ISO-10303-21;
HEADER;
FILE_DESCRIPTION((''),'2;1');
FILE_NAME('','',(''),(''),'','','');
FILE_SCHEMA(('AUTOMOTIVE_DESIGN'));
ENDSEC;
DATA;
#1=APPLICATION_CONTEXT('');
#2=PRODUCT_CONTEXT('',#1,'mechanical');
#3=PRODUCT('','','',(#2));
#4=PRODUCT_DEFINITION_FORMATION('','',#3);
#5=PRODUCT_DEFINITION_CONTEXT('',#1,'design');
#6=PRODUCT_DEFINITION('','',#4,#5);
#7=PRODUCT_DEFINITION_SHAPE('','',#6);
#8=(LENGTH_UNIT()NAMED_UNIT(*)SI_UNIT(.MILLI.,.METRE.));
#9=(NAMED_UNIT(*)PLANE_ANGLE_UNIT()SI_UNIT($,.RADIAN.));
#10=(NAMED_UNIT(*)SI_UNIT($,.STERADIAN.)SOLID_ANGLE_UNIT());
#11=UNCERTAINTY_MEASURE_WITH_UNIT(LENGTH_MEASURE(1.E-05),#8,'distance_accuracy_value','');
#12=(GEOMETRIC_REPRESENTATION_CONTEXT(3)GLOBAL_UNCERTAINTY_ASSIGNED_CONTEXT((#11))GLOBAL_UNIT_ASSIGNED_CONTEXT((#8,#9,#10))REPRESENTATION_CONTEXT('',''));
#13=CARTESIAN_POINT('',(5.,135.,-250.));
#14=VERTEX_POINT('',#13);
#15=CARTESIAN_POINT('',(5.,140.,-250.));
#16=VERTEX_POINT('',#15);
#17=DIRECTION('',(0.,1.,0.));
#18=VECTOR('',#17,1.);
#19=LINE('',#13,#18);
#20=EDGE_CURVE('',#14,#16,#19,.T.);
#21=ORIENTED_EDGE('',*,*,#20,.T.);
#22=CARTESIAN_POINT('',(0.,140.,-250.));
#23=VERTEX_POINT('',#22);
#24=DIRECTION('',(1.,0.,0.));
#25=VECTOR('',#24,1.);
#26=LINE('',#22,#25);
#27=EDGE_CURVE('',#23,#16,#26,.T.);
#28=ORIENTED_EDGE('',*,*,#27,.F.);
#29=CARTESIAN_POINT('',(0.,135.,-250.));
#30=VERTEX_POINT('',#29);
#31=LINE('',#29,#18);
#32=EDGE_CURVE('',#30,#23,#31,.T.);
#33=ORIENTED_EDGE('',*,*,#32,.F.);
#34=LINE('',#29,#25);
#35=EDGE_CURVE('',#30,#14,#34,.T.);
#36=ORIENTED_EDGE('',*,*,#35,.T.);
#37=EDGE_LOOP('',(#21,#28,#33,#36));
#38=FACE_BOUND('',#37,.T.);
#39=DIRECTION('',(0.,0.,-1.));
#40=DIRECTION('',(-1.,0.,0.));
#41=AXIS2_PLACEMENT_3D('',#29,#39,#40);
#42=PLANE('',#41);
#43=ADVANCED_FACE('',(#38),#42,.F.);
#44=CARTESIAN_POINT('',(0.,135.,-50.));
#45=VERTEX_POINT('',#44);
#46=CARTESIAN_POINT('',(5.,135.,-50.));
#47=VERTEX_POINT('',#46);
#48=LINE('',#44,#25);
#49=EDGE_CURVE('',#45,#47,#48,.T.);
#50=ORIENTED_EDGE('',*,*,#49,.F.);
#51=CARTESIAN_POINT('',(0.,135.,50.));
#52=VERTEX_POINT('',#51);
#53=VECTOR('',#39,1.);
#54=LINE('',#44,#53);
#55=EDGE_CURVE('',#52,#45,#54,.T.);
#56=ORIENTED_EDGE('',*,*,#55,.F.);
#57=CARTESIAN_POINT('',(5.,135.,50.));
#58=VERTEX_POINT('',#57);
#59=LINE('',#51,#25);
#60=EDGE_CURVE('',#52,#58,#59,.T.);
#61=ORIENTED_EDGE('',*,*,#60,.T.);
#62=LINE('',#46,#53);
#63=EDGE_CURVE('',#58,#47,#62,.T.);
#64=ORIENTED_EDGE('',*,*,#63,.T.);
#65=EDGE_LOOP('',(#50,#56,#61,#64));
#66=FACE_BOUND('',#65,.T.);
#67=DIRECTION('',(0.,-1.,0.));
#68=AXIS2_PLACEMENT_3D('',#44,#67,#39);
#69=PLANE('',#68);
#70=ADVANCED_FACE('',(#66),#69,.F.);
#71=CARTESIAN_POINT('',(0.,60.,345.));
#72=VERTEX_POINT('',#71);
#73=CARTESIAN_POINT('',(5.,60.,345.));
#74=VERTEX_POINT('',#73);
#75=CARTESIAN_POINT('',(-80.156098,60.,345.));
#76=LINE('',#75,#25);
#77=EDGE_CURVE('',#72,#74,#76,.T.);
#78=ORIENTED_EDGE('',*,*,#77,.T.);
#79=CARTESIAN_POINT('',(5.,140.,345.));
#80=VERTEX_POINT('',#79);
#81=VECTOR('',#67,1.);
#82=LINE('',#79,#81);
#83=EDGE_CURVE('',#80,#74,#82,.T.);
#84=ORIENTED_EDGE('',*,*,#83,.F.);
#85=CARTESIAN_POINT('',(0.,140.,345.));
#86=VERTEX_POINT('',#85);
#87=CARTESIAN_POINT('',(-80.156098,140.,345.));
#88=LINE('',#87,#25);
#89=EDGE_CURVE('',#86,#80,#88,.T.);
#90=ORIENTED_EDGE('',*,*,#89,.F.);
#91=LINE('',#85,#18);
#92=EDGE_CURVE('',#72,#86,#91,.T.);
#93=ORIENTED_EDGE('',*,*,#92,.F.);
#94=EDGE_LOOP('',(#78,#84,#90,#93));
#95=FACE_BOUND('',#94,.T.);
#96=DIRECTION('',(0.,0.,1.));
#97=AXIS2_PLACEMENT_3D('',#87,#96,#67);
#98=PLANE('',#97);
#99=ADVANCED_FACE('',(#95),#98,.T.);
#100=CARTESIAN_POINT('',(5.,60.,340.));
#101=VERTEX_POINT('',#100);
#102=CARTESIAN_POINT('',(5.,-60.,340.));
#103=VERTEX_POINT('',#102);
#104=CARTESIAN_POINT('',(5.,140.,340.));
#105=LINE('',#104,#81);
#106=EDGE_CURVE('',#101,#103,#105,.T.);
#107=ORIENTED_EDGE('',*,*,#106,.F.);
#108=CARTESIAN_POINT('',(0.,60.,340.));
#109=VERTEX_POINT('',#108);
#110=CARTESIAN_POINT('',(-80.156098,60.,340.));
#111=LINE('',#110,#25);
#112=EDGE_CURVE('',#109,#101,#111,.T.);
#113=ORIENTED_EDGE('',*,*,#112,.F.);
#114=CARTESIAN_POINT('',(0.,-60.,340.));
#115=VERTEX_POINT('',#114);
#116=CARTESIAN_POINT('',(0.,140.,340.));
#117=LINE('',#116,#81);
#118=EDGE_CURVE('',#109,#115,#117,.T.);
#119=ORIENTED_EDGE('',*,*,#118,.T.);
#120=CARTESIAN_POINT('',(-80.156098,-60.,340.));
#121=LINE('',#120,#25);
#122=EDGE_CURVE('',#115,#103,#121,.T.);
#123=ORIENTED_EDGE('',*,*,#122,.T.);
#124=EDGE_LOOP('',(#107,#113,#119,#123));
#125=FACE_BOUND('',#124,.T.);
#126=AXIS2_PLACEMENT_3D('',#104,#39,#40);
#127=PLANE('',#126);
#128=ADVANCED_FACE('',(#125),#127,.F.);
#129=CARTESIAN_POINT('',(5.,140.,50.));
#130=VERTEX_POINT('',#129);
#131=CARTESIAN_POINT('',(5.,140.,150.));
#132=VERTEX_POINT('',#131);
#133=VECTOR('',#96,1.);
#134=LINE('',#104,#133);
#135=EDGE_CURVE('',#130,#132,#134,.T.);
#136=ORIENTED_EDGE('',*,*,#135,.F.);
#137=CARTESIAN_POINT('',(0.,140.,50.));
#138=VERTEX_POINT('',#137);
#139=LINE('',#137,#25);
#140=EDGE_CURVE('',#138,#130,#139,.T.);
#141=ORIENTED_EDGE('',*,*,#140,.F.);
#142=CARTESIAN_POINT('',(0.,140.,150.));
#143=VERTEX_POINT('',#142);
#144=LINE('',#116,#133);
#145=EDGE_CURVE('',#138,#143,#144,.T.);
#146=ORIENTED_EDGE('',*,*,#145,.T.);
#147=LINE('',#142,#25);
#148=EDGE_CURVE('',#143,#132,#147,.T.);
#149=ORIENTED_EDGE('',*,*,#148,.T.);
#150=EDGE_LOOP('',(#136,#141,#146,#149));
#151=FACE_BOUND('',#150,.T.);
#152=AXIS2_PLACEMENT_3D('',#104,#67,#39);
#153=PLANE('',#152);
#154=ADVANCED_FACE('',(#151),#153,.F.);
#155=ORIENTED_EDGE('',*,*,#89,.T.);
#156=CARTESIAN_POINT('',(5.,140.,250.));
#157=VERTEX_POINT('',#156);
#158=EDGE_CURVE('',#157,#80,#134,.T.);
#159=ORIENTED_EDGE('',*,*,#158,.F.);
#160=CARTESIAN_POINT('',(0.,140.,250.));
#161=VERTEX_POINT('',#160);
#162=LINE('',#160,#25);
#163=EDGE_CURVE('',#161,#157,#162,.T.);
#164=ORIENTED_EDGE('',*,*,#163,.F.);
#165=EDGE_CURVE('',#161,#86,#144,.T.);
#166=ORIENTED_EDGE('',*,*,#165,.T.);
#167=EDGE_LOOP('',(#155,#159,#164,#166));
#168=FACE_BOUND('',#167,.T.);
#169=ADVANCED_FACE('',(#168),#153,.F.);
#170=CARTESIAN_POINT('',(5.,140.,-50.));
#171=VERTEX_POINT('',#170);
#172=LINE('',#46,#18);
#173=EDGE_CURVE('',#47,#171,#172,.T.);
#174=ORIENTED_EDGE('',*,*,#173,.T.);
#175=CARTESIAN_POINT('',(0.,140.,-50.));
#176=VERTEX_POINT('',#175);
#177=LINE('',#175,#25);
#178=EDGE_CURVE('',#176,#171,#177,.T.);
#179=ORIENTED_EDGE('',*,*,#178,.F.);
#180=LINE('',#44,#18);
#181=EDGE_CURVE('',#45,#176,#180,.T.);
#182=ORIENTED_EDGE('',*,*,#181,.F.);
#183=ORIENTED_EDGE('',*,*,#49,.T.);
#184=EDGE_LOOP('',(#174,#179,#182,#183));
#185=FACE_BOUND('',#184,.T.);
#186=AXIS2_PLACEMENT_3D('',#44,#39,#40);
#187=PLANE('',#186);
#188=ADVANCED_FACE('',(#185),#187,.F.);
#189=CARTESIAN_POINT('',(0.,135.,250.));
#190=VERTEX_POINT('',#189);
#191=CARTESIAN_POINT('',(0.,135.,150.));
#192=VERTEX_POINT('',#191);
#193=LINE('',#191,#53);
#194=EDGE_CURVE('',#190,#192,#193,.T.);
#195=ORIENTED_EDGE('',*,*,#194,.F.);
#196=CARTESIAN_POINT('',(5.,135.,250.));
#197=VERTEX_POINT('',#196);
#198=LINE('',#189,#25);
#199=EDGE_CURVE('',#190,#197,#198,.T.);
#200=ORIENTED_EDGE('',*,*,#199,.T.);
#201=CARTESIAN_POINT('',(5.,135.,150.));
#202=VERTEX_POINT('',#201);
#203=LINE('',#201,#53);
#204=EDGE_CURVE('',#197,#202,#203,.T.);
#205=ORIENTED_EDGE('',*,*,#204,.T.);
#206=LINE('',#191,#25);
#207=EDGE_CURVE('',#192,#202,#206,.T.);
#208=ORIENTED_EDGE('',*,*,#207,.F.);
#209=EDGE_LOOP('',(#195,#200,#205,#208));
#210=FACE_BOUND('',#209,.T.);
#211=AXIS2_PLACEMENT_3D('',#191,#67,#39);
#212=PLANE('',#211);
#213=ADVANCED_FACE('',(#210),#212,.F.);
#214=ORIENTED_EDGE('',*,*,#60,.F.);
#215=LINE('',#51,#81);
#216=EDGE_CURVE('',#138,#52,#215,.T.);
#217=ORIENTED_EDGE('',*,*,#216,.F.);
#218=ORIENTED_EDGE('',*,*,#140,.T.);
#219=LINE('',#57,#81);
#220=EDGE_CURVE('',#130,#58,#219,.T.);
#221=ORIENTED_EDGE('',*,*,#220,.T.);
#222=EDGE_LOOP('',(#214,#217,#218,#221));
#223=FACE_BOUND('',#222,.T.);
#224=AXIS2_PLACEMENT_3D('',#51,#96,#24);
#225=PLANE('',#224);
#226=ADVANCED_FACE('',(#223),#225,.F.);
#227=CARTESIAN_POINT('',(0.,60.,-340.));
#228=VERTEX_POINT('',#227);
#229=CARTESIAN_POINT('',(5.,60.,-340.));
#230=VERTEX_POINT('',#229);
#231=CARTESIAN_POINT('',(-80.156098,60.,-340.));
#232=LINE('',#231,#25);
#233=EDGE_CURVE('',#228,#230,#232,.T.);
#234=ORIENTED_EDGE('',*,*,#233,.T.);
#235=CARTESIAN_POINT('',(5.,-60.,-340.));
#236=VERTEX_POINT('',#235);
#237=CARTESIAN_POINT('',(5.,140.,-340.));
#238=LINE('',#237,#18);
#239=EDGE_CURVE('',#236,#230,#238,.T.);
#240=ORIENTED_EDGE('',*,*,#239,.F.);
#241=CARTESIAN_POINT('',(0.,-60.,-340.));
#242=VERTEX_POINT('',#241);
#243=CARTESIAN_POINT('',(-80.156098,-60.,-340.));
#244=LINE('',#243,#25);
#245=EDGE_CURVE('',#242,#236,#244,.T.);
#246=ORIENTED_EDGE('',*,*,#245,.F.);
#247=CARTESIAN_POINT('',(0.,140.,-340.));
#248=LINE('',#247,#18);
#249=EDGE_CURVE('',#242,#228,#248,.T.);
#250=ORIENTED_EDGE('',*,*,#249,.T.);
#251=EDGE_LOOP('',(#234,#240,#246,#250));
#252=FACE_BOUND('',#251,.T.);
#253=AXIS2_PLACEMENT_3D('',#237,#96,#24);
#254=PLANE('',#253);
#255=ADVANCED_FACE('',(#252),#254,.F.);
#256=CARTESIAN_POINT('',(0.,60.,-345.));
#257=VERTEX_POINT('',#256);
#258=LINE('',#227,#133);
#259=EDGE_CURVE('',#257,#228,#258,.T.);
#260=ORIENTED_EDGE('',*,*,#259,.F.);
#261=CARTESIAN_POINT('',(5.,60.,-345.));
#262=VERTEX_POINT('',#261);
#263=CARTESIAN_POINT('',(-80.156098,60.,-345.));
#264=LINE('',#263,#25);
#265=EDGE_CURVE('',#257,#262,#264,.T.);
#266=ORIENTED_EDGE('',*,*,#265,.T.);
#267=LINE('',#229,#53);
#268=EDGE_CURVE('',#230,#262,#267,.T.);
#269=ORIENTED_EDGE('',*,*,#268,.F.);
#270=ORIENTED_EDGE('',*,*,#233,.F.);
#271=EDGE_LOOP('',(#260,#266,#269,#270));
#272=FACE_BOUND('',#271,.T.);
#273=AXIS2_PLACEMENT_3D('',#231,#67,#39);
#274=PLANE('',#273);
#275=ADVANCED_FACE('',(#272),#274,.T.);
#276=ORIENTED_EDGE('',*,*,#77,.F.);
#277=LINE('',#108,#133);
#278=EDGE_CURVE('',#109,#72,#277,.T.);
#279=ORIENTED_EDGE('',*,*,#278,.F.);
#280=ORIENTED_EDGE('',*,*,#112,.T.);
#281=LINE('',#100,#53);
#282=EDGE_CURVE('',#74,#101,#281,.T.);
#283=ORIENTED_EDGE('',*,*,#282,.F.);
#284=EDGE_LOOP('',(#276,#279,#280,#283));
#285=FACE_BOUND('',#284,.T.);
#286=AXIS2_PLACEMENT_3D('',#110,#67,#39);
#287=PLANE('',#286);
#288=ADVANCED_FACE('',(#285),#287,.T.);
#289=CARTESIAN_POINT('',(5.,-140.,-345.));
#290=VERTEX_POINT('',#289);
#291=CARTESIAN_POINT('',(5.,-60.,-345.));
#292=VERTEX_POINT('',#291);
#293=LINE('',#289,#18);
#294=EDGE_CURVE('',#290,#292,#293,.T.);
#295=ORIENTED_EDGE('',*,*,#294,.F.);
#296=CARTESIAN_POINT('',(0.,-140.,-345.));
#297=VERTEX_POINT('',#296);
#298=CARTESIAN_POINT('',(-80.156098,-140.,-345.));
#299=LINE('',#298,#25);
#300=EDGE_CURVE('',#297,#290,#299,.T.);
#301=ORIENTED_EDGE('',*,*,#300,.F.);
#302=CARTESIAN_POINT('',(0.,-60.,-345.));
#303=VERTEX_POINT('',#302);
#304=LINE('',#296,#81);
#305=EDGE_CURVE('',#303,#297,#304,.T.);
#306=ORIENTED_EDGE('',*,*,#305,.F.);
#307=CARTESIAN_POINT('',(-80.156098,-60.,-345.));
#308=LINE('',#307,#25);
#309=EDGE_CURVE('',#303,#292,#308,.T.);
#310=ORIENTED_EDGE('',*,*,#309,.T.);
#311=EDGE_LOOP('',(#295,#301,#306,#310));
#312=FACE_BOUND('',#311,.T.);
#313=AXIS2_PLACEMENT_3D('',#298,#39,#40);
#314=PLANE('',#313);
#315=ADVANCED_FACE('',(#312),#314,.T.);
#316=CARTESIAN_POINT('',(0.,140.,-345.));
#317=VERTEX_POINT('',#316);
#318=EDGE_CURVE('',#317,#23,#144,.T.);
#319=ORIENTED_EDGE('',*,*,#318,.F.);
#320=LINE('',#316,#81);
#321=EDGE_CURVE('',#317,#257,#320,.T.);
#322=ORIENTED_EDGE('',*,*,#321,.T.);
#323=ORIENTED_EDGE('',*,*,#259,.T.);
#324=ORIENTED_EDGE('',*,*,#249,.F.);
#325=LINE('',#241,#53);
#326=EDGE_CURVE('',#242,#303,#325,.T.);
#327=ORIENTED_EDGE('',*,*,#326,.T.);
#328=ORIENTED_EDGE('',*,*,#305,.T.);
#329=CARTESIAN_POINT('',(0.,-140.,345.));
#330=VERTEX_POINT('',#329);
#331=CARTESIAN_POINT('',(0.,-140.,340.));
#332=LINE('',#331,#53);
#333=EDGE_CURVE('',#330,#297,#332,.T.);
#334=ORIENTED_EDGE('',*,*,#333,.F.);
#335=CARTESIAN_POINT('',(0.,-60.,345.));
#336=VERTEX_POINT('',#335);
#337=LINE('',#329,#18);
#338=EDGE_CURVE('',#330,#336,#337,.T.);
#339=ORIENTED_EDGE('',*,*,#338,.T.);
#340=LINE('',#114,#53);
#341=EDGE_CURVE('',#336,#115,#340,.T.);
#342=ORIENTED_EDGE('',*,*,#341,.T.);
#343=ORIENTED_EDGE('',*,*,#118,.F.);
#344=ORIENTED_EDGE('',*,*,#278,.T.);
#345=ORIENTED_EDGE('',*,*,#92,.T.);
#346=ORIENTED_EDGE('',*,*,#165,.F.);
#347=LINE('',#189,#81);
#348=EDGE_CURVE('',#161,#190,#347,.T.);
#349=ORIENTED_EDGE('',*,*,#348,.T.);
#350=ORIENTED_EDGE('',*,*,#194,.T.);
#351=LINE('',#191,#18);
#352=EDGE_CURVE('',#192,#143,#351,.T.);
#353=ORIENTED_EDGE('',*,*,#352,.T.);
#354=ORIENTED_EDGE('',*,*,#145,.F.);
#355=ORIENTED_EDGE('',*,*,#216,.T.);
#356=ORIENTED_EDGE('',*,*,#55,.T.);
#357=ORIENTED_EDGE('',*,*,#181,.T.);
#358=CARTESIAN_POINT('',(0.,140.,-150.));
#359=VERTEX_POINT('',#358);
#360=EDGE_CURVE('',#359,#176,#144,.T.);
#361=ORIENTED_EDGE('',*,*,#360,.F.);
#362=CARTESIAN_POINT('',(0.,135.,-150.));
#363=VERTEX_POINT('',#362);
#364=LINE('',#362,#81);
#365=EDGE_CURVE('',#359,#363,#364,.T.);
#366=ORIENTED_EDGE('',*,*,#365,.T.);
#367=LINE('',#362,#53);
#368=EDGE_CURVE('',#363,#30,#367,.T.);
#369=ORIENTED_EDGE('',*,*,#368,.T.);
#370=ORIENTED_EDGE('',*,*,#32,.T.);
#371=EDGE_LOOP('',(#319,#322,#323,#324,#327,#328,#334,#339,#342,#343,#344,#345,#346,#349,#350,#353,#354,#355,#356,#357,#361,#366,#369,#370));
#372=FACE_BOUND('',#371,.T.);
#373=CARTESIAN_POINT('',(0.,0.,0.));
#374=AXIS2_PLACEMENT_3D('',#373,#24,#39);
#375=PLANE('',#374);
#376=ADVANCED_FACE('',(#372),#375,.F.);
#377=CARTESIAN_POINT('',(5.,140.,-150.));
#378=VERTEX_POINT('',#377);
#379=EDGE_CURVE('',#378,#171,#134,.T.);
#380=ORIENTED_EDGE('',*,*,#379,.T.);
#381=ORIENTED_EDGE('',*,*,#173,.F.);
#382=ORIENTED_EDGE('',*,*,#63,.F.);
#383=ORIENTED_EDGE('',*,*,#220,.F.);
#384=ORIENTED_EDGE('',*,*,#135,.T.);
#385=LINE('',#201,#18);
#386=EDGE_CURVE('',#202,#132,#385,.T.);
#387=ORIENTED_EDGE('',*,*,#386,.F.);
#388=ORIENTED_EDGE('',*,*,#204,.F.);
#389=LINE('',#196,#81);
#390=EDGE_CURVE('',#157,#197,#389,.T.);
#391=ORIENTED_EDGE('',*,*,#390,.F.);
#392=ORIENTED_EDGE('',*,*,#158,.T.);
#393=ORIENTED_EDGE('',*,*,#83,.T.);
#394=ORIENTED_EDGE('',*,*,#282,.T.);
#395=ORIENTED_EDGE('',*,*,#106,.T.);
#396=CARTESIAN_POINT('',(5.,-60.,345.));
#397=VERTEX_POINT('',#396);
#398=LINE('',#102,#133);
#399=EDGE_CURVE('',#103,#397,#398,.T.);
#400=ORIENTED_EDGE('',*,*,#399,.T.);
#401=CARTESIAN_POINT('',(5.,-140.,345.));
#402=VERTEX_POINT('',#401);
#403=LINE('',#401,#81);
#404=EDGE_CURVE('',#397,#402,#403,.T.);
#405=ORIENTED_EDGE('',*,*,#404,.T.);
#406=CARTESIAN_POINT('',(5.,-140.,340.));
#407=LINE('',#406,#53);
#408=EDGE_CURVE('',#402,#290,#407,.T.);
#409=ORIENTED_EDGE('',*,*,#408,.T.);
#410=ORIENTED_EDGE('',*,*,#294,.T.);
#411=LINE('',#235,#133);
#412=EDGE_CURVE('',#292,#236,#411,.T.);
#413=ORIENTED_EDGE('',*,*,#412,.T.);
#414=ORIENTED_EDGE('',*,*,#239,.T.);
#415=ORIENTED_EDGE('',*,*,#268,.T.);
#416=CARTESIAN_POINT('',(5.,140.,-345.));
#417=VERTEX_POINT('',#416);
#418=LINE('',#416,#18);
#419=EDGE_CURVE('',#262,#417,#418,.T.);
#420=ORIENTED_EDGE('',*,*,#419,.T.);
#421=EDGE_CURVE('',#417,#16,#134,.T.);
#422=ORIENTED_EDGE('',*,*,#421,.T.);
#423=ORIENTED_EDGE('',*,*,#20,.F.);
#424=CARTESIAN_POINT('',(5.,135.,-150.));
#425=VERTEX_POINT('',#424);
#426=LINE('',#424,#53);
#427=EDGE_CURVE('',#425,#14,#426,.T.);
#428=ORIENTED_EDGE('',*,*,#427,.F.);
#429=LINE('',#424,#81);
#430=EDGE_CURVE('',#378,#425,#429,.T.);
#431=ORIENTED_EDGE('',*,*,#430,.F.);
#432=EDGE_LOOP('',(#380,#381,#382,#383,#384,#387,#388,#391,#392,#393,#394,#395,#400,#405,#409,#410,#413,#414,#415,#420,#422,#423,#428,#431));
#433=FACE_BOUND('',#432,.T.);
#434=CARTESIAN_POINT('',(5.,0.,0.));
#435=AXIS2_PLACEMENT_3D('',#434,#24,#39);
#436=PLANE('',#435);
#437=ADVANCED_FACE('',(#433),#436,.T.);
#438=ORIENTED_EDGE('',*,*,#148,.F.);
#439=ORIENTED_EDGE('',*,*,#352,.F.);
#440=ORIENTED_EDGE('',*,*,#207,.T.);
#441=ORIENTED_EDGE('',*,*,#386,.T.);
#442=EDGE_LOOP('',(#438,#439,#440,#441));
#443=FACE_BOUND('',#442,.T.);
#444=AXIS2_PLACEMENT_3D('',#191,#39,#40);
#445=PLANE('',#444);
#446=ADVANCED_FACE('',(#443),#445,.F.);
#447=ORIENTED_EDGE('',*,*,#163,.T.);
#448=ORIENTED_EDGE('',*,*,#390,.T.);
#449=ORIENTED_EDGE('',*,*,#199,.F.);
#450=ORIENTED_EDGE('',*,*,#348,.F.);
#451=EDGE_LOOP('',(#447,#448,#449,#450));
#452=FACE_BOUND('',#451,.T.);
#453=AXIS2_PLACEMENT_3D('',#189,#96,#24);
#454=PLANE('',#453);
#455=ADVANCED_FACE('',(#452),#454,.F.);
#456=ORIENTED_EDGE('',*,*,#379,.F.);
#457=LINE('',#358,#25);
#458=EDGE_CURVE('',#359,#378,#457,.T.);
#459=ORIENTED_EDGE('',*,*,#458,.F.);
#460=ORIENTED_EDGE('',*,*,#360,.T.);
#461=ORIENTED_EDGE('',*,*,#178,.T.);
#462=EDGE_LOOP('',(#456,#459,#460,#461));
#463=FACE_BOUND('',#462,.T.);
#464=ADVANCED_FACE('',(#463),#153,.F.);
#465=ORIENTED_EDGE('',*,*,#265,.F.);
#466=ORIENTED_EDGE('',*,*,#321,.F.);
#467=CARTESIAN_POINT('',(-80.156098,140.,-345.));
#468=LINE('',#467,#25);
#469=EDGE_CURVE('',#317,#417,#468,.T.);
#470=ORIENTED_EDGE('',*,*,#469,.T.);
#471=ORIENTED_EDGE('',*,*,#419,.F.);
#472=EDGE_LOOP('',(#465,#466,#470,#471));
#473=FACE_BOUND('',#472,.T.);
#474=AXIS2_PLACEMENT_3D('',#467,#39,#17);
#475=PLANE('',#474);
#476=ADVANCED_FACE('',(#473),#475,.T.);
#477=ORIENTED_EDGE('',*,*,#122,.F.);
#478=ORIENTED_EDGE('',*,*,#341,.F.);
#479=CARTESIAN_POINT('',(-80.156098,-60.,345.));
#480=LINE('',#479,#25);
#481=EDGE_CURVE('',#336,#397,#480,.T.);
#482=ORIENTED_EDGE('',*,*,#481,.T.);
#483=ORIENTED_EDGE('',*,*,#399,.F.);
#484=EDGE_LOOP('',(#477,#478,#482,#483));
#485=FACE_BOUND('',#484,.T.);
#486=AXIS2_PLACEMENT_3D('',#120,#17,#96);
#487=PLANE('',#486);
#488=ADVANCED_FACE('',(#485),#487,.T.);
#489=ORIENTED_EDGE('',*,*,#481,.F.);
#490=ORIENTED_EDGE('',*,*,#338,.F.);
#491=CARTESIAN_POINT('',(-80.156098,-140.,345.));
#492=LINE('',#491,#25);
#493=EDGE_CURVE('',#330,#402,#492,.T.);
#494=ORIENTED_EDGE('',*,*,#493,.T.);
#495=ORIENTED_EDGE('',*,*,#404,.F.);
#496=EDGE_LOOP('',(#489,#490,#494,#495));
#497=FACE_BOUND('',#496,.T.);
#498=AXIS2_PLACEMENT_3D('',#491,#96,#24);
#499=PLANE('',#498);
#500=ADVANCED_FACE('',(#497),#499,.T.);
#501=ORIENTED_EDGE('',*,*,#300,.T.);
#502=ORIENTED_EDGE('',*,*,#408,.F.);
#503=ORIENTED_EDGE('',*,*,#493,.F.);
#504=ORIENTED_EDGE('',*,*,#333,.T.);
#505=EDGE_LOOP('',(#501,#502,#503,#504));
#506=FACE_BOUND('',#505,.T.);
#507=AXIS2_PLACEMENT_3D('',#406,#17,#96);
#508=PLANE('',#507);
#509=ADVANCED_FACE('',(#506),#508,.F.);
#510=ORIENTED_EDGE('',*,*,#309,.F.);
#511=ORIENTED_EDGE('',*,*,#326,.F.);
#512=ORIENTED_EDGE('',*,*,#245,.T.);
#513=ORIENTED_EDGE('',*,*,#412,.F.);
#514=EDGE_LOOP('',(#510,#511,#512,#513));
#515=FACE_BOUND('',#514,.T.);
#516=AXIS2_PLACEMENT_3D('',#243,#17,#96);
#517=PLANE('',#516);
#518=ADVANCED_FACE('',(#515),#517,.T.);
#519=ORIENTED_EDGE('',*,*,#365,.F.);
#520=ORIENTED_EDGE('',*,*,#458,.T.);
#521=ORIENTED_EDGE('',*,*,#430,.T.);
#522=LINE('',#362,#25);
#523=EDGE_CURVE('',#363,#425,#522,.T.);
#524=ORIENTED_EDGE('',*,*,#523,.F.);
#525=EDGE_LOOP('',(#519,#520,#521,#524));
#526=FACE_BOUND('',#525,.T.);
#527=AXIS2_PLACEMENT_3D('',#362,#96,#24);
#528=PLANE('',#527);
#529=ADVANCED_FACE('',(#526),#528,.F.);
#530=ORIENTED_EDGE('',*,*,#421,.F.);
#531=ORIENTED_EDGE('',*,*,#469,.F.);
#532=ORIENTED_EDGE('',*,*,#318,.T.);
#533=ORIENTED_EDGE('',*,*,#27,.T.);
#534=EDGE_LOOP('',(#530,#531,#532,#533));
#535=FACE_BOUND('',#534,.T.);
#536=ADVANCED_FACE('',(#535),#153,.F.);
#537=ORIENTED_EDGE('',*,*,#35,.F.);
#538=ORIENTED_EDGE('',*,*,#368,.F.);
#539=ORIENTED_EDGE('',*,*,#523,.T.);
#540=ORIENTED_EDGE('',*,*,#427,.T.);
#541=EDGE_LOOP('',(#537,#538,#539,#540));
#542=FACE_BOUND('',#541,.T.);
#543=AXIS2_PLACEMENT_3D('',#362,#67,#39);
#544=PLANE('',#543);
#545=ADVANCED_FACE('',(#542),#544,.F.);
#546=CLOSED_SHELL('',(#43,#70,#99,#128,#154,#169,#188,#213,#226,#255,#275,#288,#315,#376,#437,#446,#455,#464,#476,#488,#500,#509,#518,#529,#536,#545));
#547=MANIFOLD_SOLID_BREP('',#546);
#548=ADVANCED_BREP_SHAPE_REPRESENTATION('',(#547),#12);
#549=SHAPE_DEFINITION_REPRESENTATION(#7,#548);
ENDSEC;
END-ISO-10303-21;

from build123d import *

# Parameters (mm, degrees)
SKIZZE1_W                       = 680
SKIZZE1_H                       = 280
AUFSATZ_LINEAR_AUSTRAGEN1_DEPTH = 5
SKIZZE2_W                       = 5
SKIZZE2_H                       = 80
AUFSATZ_LINEAR_AUSTRAGEN2_DEPTH = 5
SKIZZE3_W                       = 100
SKIZZE3_H                       = 5
SCHNITT_LINEAR_AUSTRAGEN1_DEPTH = 373.357355238


with BuildPart() as part:
    # Skizze1 → Aufsatz-Linear austragen1 (new body)
    with BuildSketch(Plane(origin=(0, 0, 0), x_dir=(0, 0, -1), z_dir=(1, 0, 0))):
        Rectangle(SKIZZE1_W, SKIZZE1_H)
    extrude(amount=AUFSATZ_LINEAR_AUSTRAGEN1_DEPTH)

    # Skizze2 → Aufsatz-Linear austragen2 (add)
    with BuildSketch(Plane(origin=(5, 0, 0), x_dir=(0, 0, -1), z_dir=(1, 0, 0))):
        with Locations((-342.5, 100)):
            Rectangle(SKIZZE2_W, SKIZZE2_H)
        with Locations((-342.5, -100)):
            Rectangle(SKIZZE2_W, SKIZZE2_H)
        with Locations((342.5, -100)):
            Rectangle(SKIZZE2_W, SKIZZE2_H)
        with Locations((342.5, 100)):
            Rectangle(SKIZZE2_W, SKIZZE2_H)
    extrude(amount=-AUFSATZ_LINEAR_AUSTRAGEN2_DEPTH)

    # Skizze3 → Schnitt-Linear austragen1 (cut, through all)
    with BuildSketch(Plane(origin=(5, 0, 0), x_dir=(0, 0, -1), z_dir=(1, 0, 0))):
        with Locations((200, 137.5)):
            Rectangle(SKIZZE3_W, SKIZZE3_H)
        with Locations((-200, 137.5)):
            Rectangle(SKIZZE3_W, SKIZZE3_H)
        with Locations((0, 137.5)):
            Rectangle(SKIZZE3_W, SKIZZE3_H)
    extrude(amount=-SCHNITT_LINEAR_AUSTRAGEN1_DEPTH, mode=Mode.SUBTRACT)


solid = part.part
